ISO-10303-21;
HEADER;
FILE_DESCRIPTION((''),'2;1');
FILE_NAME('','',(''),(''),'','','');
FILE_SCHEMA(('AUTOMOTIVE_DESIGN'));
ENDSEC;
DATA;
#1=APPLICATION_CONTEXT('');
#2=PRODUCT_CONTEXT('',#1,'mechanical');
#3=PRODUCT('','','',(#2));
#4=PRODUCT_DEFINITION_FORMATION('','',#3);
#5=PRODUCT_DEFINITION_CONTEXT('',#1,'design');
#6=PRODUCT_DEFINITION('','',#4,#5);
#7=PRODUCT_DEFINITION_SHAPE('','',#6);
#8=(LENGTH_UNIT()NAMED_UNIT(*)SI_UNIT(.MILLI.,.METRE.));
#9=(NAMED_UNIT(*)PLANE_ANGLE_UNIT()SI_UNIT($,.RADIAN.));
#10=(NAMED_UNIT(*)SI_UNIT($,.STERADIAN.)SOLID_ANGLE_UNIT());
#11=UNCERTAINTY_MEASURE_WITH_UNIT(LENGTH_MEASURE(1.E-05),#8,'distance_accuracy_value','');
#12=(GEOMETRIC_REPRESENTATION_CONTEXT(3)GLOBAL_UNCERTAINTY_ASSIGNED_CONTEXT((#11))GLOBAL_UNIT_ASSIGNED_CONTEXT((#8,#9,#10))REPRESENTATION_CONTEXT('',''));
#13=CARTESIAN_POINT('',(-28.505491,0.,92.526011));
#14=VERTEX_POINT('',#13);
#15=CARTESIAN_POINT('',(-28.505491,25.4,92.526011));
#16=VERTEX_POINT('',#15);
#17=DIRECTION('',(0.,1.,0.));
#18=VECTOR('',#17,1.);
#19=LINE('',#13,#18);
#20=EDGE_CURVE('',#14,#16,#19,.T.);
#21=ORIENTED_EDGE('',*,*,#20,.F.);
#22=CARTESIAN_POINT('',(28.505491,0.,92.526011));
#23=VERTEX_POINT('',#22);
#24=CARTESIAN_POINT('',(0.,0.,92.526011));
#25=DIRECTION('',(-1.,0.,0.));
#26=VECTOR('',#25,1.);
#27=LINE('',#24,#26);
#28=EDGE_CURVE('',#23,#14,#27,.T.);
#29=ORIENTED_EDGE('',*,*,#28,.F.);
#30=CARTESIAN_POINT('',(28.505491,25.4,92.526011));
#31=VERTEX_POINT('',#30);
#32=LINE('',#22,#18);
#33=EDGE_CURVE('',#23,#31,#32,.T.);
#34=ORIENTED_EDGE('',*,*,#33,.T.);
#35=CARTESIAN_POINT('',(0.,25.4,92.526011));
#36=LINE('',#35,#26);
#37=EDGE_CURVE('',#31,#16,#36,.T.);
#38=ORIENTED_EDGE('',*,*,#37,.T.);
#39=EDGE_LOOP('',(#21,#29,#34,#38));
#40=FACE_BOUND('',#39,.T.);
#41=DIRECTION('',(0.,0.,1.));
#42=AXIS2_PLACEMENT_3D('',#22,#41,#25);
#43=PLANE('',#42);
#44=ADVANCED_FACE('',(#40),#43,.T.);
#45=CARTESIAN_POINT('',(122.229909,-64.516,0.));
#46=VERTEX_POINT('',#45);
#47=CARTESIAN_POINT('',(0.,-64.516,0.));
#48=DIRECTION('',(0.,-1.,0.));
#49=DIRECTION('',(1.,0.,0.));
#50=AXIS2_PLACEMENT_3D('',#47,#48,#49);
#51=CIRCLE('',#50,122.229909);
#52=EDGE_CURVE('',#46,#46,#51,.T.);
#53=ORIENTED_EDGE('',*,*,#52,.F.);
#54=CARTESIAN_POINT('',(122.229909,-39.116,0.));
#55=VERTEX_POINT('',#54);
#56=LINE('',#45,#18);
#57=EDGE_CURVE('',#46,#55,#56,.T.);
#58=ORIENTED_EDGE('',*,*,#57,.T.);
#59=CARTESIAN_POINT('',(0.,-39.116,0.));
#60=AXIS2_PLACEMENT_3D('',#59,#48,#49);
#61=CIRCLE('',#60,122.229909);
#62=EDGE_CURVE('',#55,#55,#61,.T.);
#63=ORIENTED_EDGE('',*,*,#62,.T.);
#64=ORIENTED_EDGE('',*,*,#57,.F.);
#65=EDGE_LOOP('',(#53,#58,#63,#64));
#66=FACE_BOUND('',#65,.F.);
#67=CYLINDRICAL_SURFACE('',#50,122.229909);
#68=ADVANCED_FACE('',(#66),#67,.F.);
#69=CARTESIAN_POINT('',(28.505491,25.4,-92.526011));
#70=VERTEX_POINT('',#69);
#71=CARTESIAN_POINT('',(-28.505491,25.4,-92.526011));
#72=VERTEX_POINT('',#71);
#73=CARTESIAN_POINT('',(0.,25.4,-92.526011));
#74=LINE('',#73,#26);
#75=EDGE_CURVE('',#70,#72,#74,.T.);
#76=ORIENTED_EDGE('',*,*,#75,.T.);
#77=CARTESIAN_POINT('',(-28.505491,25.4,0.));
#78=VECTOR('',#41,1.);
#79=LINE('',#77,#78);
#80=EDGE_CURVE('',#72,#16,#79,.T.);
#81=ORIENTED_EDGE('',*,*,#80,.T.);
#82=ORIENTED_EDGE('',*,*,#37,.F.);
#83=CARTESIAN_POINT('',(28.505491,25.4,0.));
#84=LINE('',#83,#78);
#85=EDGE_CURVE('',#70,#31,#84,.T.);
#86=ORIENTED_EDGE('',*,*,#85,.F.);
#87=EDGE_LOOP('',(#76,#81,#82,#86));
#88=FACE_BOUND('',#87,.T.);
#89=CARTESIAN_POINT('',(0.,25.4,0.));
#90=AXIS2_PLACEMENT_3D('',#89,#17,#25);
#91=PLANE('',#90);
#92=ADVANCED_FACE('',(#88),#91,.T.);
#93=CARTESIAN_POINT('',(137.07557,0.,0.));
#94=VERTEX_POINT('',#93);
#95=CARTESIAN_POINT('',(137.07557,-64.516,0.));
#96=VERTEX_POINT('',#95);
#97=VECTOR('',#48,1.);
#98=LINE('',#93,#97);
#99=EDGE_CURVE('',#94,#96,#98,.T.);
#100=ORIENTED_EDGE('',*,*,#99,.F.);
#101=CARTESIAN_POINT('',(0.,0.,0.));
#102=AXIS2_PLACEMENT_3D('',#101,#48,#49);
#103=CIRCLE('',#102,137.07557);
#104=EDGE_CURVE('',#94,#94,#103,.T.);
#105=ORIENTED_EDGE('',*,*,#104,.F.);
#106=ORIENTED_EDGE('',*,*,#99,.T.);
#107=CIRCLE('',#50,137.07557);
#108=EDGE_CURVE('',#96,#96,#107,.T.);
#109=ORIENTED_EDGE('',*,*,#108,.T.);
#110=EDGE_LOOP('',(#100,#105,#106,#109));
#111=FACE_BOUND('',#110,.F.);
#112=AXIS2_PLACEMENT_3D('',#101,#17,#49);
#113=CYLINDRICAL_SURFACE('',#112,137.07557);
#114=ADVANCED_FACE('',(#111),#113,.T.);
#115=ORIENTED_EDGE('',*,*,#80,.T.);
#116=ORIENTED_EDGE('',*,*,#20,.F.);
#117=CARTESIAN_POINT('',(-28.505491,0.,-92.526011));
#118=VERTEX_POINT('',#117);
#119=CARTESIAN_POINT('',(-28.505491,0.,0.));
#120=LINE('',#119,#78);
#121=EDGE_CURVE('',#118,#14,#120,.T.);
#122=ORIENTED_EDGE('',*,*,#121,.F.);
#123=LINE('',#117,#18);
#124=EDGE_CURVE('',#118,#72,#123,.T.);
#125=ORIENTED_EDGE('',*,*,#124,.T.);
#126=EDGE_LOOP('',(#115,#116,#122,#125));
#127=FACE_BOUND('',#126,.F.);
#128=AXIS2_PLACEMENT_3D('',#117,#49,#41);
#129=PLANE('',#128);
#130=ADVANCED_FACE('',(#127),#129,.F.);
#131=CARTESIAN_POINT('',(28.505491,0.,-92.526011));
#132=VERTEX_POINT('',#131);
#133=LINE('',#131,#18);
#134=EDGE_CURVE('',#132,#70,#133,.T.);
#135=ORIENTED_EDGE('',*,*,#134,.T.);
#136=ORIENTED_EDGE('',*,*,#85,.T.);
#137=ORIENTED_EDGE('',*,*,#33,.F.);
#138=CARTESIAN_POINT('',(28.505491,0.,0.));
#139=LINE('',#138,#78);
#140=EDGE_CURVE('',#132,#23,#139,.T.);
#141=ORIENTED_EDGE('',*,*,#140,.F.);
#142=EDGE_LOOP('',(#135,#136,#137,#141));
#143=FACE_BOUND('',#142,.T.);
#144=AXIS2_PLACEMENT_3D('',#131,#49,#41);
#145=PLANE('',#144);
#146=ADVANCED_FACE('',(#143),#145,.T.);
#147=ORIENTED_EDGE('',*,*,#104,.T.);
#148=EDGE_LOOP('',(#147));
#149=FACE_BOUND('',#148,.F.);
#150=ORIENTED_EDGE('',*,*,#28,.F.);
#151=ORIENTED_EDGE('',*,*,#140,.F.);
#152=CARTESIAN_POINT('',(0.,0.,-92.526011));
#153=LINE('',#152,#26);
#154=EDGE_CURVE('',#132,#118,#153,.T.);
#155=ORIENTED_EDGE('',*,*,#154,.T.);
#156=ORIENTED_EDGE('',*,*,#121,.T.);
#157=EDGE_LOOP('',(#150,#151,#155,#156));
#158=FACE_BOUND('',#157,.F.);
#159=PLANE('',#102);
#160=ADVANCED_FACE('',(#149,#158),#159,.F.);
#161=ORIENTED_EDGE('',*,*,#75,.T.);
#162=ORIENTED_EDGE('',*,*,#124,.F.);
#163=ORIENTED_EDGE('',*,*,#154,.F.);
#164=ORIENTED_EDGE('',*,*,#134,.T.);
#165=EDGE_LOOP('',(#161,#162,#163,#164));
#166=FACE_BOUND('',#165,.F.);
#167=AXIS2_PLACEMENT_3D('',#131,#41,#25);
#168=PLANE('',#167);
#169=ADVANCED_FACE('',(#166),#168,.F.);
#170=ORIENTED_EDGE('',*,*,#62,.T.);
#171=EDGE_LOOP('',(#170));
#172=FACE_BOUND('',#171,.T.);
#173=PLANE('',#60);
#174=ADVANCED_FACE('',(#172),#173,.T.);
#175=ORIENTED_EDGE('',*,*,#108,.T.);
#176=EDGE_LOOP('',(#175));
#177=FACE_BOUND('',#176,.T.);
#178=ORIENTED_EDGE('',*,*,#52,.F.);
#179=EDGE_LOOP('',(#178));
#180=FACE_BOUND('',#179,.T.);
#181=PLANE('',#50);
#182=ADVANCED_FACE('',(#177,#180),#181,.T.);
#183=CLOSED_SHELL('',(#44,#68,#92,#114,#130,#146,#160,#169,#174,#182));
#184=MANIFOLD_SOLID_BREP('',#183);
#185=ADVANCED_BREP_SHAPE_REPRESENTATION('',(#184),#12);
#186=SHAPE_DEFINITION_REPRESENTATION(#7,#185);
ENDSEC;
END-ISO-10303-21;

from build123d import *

# Parameters (mm, degrees)
F0_R     = 137.07557
F1_DEPTH = 64.516
F2_R     = 122.229909
F3_DEPTH = 25.4
F4_W     = 57.010982
F4_H     = 185.052022
F5_DEPTH = 25.4


with BuildPart() as f1:
    # F0 (on Front) → F1 (new body)
    with BuildSketch(Plane.XZ):
        Circle(F0_R)
    extrude(amount=F1_DEPTH)

    # F2 (on face) → F3 (cut)
    with BuildSketch(Plane.XZ.offset(64.516)):
        Circle(F2_R)
    extrude(amount=-F3_DEPTH, mode=Mode.SUBTRACT)

    # F4 (on face) → F5 (join)
    with BuildSketch(Plane(origin=(0, 0, 0), x_dir=(-1, 0, 0), z_dir=(0, 1, 0))):
        Rectangle(F4_W, F4_H)
    extrude(amount=F5_DEPTH)


solid = f1.part
